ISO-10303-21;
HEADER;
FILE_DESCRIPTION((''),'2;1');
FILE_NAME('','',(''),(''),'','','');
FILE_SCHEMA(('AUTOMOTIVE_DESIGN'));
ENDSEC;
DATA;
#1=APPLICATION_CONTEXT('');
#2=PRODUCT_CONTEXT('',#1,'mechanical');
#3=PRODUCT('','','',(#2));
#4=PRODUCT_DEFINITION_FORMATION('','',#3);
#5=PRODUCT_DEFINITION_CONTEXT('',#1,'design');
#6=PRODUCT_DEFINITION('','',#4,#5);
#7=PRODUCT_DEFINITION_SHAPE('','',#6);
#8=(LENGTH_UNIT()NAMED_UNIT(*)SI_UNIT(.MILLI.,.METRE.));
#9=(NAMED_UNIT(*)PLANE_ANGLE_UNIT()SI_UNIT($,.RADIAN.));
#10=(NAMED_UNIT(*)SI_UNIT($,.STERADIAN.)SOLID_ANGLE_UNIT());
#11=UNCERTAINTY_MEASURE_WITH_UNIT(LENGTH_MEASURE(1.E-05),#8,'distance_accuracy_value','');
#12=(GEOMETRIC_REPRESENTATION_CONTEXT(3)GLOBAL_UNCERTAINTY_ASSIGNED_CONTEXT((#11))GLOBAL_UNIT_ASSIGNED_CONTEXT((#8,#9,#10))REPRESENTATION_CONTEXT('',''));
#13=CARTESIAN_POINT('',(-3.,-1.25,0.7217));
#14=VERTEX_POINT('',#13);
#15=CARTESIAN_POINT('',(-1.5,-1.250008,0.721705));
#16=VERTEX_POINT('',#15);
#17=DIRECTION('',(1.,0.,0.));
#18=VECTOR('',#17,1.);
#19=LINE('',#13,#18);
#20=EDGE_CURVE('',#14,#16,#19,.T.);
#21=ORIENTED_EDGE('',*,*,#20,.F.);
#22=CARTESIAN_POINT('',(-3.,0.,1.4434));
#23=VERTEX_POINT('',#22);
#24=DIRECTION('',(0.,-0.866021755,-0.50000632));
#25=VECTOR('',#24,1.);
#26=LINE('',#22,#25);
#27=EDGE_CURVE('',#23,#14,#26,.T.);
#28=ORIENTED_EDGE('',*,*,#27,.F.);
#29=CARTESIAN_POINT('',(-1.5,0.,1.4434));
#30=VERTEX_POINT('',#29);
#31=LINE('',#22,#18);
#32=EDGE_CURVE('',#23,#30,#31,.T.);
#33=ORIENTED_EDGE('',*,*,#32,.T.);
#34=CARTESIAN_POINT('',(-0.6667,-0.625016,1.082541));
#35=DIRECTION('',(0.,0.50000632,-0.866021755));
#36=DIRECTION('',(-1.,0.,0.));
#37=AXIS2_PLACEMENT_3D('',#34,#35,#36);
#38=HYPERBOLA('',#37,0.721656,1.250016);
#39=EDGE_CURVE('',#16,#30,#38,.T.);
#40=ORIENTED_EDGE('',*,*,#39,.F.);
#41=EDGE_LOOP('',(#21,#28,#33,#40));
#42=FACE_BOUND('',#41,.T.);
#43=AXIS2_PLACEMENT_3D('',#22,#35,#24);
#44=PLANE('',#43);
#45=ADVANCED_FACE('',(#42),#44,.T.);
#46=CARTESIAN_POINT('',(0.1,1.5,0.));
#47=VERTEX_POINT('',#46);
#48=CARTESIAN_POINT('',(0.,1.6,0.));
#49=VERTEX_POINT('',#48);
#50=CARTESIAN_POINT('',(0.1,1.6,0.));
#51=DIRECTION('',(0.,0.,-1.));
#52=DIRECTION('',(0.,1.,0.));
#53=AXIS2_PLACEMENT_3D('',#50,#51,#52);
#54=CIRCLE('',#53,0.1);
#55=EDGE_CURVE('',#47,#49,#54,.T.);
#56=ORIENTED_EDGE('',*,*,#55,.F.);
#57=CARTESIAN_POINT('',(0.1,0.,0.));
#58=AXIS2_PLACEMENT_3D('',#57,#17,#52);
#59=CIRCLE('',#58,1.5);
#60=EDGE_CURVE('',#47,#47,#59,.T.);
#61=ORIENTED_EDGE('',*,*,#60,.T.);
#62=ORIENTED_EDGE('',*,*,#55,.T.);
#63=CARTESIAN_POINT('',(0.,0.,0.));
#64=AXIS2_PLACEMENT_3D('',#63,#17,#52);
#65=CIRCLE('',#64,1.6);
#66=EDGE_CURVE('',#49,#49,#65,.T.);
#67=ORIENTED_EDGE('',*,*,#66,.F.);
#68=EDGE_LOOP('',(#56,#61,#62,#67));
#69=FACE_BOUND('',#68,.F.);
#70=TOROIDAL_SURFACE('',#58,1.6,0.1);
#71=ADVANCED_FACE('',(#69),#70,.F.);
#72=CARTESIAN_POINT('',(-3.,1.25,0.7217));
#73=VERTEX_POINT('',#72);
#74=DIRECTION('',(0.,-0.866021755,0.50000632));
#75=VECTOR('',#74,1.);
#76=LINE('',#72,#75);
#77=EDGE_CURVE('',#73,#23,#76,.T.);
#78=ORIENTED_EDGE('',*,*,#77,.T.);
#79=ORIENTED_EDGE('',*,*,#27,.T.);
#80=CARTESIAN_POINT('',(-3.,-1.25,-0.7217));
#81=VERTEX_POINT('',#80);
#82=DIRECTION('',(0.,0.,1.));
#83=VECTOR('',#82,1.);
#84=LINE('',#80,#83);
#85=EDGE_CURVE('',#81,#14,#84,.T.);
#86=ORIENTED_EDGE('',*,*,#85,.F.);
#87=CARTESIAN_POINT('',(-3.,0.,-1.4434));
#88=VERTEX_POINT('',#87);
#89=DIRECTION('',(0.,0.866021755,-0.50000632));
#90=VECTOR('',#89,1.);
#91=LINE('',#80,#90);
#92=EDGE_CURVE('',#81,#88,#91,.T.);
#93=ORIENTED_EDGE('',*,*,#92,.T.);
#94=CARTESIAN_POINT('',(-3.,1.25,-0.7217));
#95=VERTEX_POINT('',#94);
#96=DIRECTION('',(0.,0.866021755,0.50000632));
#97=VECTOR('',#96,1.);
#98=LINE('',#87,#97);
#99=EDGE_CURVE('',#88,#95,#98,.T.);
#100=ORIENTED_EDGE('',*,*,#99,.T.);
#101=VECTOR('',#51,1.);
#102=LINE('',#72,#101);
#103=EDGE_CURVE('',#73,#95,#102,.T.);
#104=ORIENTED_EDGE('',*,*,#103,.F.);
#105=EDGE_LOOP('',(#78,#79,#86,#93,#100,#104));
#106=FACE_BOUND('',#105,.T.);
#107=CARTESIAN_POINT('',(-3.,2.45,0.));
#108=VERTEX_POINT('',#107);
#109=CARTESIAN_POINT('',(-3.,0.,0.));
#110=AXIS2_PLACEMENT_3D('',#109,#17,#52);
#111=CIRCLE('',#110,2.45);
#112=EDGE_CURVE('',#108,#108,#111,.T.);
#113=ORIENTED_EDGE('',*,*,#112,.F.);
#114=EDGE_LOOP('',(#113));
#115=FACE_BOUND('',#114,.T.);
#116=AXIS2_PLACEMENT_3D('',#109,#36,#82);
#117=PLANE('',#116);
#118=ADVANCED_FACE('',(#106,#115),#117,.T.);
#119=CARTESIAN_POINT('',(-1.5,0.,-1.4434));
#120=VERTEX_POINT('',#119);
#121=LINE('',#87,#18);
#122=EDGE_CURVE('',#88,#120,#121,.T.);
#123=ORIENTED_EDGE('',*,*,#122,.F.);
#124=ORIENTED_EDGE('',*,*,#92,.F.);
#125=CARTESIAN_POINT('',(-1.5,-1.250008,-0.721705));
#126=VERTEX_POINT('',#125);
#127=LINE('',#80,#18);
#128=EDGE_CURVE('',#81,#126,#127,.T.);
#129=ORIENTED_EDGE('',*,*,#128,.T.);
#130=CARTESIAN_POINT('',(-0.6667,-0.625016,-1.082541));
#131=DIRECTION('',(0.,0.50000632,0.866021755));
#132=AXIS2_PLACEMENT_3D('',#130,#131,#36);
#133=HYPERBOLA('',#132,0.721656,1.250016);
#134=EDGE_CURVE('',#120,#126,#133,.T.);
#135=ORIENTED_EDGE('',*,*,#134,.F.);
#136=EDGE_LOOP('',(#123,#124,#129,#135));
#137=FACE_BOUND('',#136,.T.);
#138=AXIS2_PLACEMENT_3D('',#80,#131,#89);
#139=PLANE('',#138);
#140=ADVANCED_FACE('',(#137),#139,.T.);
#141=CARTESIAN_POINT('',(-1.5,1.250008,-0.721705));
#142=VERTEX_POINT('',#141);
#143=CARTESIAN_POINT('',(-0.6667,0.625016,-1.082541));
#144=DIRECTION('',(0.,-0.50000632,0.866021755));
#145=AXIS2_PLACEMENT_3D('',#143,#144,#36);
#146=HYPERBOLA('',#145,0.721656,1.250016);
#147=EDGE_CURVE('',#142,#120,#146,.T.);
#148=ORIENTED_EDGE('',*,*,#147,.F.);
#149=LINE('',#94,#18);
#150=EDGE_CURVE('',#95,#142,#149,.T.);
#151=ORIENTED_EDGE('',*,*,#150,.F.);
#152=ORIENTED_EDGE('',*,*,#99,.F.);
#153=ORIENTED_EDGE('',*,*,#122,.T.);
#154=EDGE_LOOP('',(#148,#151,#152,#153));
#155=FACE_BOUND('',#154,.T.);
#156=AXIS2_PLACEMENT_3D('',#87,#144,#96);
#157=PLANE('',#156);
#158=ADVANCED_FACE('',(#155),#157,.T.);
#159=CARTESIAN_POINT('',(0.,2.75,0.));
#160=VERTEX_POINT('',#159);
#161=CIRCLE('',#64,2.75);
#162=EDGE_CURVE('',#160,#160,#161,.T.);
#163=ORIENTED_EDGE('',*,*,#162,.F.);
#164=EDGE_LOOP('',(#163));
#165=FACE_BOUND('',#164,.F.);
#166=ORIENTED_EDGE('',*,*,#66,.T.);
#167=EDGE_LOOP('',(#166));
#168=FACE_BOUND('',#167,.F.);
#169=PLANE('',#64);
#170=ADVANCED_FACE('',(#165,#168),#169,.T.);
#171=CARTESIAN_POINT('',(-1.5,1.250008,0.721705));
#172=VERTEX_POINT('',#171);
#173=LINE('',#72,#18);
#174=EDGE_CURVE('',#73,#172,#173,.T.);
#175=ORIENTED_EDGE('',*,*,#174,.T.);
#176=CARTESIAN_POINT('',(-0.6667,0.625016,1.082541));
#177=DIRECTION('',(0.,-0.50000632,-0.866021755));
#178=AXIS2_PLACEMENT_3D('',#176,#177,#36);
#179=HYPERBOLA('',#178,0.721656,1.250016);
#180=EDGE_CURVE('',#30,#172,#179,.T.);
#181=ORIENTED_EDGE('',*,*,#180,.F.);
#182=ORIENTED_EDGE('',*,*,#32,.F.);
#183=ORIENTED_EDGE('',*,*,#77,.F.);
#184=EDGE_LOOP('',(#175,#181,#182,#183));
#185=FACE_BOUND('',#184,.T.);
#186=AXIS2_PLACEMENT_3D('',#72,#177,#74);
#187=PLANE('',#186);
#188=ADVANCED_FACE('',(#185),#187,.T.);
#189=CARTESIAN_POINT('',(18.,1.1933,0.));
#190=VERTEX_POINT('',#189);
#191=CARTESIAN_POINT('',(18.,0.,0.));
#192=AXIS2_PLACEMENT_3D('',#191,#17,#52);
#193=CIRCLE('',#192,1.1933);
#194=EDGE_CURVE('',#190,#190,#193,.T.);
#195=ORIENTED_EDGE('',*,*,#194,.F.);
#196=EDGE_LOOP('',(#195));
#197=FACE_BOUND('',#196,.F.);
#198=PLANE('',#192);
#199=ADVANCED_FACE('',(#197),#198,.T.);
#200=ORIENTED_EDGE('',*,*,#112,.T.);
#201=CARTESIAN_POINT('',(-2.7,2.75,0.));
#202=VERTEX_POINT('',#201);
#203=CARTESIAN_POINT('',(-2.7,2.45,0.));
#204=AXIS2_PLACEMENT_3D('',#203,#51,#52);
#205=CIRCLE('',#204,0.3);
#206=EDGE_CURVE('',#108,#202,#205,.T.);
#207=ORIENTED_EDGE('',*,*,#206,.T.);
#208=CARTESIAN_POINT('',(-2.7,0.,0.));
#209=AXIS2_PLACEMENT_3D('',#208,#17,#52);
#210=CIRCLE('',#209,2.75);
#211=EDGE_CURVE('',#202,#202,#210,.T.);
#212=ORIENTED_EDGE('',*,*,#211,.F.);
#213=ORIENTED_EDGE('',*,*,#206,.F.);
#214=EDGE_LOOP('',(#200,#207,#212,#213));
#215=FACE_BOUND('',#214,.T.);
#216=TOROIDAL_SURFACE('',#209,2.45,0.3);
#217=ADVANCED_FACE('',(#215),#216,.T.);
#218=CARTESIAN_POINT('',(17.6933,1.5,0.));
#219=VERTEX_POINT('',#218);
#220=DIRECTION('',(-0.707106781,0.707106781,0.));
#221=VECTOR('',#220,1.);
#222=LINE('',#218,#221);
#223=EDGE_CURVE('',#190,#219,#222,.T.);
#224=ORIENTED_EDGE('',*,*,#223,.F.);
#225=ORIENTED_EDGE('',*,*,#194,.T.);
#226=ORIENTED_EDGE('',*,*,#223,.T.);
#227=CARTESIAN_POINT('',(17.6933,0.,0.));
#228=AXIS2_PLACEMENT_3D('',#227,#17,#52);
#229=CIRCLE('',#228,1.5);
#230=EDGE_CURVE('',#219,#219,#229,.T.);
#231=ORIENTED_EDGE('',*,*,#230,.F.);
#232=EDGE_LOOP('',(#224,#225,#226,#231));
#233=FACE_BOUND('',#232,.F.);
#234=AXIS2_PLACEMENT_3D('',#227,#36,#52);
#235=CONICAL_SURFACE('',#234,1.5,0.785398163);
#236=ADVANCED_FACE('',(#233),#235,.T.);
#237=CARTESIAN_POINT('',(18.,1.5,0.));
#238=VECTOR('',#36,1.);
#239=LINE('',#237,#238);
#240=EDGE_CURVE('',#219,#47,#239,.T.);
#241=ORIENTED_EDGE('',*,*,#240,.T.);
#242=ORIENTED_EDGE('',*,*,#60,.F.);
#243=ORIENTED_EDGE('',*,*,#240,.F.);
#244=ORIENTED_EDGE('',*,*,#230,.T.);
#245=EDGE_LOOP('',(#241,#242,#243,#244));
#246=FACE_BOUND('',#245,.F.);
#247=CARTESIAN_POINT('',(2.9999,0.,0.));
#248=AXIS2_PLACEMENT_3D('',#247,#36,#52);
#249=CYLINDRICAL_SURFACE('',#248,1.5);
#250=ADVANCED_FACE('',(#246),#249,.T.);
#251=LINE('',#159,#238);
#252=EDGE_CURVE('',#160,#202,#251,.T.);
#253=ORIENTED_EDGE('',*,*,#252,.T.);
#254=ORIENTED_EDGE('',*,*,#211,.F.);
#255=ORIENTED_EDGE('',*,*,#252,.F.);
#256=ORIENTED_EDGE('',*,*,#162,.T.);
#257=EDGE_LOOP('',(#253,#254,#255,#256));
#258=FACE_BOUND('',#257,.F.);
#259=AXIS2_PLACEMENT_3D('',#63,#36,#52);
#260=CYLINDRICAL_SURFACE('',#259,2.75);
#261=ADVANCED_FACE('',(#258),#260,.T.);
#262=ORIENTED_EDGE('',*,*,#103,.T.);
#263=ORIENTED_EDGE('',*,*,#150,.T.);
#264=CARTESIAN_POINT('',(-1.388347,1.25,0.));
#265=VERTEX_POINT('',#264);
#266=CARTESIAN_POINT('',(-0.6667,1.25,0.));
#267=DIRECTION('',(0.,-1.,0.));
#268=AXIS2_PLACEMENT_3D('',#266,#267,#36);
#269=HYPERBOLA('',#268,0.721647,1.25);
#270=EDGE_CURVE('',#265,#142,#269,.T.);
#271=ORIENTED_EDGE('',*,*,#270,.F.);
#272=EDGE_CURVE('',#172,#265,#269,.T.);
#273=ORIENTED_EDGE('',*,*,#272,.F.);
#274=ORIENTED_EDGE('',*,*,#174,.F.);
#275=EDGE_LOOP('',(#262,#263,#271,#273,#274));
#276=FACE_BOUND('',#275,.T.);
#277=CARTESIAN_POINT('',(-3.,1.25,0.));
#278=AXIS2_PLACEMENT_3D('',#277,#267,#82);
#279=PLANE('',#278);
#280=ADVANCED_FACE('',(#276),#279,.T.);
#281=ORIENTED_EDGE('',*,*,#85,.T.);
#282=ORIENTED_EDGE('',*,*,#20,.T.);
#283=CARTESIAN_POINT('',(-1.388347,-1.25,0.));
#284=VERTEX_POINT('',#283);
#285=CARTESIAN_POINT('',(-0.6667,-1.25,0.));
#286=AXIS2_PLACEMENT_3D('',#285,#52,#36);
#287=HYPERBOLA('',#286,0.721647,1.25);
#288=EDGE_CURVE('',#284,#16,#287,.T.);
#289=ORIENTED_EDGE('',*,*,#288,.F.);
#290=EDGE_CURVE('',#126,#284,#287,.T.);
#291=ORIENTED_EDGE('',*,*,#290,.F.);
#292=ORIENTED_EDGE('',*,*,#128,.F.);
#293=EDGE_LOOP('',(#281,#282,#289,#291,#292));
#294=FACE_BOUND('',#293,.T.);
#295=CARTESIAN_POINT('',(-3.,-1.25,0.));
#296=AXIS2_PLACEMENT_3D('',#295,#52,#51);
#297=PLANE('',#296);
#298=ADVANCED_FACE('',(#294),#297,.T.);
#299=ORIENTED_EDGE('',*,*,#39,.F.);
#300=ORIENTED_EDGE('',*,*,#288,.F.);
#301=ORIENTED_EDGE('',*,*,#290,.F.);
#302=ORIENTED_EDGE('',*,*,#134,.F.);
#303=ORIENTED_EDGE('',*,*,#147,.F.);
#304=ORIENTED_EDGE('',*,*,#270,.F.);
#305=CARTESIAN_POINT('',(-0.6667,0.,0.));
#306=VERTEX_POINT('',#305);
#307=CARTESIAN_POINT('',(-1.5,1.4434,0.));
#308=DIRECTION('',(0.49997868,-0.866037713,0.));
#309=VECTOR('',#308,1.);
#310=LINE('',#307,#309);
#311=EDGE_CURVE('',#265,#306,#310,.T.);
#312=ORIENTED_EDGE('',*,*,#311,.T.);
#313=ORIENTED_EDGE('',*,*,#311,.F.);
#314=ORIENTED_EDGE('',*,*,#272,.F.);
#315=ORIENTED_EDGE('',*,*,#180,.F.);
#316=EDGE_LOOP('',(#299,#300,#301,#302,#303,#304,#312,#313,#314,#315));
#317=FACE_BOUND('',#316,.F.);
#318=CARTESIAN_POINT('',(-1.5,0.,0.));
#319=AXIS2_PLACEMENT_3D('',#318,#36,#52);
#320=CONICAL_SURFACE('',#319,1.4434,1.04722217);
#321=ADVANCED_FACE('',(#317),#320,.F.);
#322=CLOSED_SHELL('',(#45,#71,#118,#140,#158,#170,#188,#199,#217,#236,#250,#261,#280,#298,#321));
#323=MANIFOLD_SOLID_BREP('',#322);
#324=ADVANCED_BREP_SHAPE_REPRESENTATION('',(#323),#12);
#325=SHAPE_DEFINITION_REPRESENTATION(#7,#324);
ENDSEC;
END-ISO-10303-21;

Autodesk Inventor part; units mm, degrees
ref_plane "YZ Plane" through (0, 0, 0) normal (1, 0, 0) x (0, 1, 0)
ref_plane "XZ Plane" through (0, 0, 0) normal (0, 1, 0) x (-1, 0, 0)
sketch "Sketch1" plane through (0, 0, 0) normal (0, 0, 1) x (1, 0, 0)
  line L0 (-0.6667, 0) -> (18, 0)
  line L1 (18, 0) -> (18, 1.5)
  line L2 (18, 1.5) -> (3.3067, 1.5)
  line L3 (3.3067, 1.5) -> (2.9999, 1.5)
  line L4 (2.9999, 1.5) -> (0, 1.5)
  line L5 (0, 1.5) -> (0, 2.75)
  line L6 (0, 2.75) -> (-3, 2.75)
  line L7 (-3, 2.75) -> (-3, 1.4434)
  line L8 (-3, 1.4434) -> (-1.5, 1.4434)
  line L9 (-1.5, 1.4434) -> (-0.6667, 0)
  line L10 (-6.8, 0) -> (19.8, 0) projected
  line L11 (0, -0.55) -> (0, 3.3) projected
  line L12 (3.3067, 1.5) -> (0, 1.5) construction
  dimension "d1" = 14.6933
  dimension "d2" = 0.3068
  dimension "d3" = 3
  dimension "d4" = 1.5
  dimension "d5" = 60
  dimension "d6" = 3
  dimension "d7" = 3
  dimension "d8" = 2.8868
  dimension "d9" = 5.5
  dimension "d26" = 18
revolve "Body" add sketch "Sketch1" angle 360 about axis through (-0.6667, 0, 0) along (1, 0, 0)
sketch "Sketch2" plane through (-3, 0, 0) normal (-1, 0, 0) x (0, 0, 1)
  circle A0 centre (0, 0) radius 1.4434 projected
  line L0 (0, -3.85) -> (0, 3.85) projected
  line L1 (-3.85, 0) -> (3.85, 0) projected
  line L2 (1.4434, 0) -> (0.7217, -1.25)
  line L3 (0.7217, -1.25) -> (-0.7217, -1.25)
  line L4 (-0.7217, -1.25) -> (-1.4434, 0)
  line L5 (-1.4434, 0) -> (-0.7217, 1.25)
  line L6 (-0.7217, 1.25) -> (0.7217, 1.25)
  line L7 (0.7217, 1.25) -> (1.4434, 0)
extrude "Slot" add sketch "Sketch2" against normal up to next contours L7 A0 | A0 L2 | L6 L0 A0 | A0 L0 L3 | L0 L6 A0 | A0 L3 L0 | L4 A0 | A0 L5
fillet "Fillet1" radius 0.3 1 edges at (-3, -2.75, 0)
thread "Thread" size "M3x0.5" class "6g" standard "ISO Metric profile" length 14.6933
chamfer "Chamfer1" distance 0.3067 distance2 0.3067 1 edges at (18, -1.5, 0) measured on face at (18, -0.4645, -0.4115)
ref_plane "Work Plane1" through (29, 0, 0) normal (0, -1, 0) x (1, 0, 0)
fillet "Fillet2" radius 0.1 1 edges at (0, -1.5, 0)
equation "\"d1\" = GEL"
equation "\"d3\" = KOH"
equation "\"d4\" = INTI"
equation "\"d6\" = GD"
equation "\"d7\" = BDM"
equation "\"d8\" = 1.1547 * SW"
equation "\"d9\" = KOD"
equation "\"d26\" = NLG"
equation "\"d30\" = R"
equation "\"d17\" = RR"
equation "\"d13\" = GEL"
equation "\"d15\" = -0.5 * SPD + 0.5 * GD"
equation "\"d16\" = GUL"
equation "\"GD\" = NND"
equation "\"NLG\" = 18"
equation "\"GEL\" = 14.69328"
equation "\"KOD\" = 5.5"
equation "\"KOH\" = 3"
equation "\"INTI\" = 1.5"
equation "\"GAL\" = 0.61345 * PTC"
equation "\"GUL\" = 0.61345 * PTC"
equation "\"BDM\" = NND"
equation "\"SW\" = 2.5"
equation "\"RR\" = 0.3"
equation "\"SPD\" = 2.38655"
equation "\"R\" = 0.1"
equation "\"TOA\" = 30deg"
equation "\"THREADDIA\" = 3"
equation "\"PTC\" = 0.5"
equation "\"NND\" = 3"
equation "\"E0\" = 1.155 * SW"
equation "\"GD1\" = THREADDIA - 1.2269 * PTC"
properties part number "M3x18" material "Steel, Mild"
